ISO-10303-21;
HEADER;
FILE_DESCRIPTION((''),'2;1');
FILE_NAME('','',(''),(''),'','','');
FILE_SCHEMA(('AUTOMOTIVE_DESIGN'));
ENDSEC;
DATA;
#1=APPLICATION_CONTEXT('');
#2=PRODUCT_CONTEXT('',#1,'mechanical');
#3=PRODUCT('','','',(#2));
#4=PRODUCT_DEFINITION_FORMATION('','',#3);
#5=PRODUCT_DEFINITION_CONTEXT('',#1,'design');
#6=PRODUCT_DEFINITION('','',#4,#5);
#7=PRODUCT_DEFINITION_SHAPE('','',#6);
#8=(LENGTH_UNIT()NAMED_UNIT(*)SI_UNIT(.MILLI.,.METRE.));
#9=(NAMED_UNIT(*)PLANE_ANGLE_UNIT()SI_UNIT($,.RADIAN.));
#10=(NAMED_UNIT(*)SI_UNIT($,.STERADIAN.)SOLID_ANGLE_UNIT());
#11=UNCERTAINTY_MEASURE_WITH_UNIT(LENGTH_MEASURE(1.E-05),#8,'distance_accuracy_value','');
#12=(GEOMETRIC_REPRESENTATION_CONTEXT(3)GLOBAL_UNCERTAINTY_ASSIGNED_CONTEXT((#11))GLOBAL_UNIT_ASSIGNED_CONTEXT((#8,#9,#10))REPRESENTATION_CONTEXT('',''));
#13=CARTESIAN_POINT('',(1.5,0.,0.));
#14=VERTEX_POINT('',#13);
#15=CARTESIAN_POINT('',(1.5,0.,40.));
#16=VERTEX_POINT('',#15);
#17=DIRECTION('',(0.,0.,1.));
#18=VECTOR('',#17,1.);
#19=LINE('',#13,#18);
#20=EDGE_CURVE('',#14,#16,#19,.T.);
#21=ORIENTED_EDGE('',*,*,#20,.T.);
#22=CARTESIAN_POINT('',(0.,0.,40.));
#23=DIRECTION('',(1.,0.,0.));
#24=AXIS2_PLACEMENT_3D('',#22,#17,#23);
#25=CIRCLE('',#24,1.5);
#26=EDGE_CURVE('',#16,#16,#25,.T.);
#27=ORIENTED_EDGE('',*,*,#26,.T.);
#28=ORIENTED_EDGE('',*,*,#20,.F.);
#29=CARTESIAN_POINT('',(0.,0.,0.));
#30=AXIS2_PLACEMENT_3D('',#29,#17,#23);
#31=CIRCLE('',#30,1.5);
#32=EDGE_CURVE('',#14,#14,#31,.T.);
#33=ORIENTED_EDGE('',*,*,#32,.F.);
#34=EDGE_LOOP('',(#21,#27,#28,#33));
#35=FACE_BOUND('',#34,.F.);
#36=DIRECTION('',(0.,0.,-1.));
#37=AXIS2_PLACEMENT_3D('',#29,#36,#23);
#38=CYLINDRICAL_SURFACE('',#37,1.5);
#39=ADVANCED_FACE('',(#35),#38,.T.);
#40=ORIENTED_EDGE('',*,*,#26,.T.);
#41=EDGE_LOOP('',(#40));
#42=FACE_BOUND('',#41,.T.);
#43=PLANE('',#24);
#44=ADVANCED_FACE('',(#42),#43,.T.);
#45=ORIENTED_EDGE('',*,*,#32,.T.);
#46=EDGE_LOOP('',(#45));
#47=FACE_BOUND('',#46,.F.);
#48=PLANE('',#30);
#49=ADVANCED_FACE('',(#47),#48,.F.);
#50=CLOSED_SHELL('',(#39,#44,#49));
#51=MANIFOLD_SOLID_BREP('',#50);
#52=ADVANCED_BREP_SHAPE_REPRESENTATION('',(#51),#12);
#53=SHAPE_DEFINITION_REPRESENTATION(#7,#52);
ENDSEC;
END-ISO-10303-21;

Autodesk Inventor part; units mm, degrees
ref_plane "YZ Plane" through (0, 0, 0) normal (1, 0, 0) x (0, 1, 0)
ref_plane "XZ Plane" through (0, 0, 0) normal (0, 1, 0) x (-1, 0, 0)
ref_plane "XY Plane" through (0, 0, 0) normal (0, 0, 1) x (1, 0, 0)
sketch "Эскиз1" plane through (0, 0, 0) normal (0, 0, 1) x (1, 0, 0)
  circle A0 centre (0, 0) radius 1.5
  dimension "d0" = 3
extrude "Выдавливание1" add sketch "Эскиз1" along normal blind 40
properties part number "Screw"
